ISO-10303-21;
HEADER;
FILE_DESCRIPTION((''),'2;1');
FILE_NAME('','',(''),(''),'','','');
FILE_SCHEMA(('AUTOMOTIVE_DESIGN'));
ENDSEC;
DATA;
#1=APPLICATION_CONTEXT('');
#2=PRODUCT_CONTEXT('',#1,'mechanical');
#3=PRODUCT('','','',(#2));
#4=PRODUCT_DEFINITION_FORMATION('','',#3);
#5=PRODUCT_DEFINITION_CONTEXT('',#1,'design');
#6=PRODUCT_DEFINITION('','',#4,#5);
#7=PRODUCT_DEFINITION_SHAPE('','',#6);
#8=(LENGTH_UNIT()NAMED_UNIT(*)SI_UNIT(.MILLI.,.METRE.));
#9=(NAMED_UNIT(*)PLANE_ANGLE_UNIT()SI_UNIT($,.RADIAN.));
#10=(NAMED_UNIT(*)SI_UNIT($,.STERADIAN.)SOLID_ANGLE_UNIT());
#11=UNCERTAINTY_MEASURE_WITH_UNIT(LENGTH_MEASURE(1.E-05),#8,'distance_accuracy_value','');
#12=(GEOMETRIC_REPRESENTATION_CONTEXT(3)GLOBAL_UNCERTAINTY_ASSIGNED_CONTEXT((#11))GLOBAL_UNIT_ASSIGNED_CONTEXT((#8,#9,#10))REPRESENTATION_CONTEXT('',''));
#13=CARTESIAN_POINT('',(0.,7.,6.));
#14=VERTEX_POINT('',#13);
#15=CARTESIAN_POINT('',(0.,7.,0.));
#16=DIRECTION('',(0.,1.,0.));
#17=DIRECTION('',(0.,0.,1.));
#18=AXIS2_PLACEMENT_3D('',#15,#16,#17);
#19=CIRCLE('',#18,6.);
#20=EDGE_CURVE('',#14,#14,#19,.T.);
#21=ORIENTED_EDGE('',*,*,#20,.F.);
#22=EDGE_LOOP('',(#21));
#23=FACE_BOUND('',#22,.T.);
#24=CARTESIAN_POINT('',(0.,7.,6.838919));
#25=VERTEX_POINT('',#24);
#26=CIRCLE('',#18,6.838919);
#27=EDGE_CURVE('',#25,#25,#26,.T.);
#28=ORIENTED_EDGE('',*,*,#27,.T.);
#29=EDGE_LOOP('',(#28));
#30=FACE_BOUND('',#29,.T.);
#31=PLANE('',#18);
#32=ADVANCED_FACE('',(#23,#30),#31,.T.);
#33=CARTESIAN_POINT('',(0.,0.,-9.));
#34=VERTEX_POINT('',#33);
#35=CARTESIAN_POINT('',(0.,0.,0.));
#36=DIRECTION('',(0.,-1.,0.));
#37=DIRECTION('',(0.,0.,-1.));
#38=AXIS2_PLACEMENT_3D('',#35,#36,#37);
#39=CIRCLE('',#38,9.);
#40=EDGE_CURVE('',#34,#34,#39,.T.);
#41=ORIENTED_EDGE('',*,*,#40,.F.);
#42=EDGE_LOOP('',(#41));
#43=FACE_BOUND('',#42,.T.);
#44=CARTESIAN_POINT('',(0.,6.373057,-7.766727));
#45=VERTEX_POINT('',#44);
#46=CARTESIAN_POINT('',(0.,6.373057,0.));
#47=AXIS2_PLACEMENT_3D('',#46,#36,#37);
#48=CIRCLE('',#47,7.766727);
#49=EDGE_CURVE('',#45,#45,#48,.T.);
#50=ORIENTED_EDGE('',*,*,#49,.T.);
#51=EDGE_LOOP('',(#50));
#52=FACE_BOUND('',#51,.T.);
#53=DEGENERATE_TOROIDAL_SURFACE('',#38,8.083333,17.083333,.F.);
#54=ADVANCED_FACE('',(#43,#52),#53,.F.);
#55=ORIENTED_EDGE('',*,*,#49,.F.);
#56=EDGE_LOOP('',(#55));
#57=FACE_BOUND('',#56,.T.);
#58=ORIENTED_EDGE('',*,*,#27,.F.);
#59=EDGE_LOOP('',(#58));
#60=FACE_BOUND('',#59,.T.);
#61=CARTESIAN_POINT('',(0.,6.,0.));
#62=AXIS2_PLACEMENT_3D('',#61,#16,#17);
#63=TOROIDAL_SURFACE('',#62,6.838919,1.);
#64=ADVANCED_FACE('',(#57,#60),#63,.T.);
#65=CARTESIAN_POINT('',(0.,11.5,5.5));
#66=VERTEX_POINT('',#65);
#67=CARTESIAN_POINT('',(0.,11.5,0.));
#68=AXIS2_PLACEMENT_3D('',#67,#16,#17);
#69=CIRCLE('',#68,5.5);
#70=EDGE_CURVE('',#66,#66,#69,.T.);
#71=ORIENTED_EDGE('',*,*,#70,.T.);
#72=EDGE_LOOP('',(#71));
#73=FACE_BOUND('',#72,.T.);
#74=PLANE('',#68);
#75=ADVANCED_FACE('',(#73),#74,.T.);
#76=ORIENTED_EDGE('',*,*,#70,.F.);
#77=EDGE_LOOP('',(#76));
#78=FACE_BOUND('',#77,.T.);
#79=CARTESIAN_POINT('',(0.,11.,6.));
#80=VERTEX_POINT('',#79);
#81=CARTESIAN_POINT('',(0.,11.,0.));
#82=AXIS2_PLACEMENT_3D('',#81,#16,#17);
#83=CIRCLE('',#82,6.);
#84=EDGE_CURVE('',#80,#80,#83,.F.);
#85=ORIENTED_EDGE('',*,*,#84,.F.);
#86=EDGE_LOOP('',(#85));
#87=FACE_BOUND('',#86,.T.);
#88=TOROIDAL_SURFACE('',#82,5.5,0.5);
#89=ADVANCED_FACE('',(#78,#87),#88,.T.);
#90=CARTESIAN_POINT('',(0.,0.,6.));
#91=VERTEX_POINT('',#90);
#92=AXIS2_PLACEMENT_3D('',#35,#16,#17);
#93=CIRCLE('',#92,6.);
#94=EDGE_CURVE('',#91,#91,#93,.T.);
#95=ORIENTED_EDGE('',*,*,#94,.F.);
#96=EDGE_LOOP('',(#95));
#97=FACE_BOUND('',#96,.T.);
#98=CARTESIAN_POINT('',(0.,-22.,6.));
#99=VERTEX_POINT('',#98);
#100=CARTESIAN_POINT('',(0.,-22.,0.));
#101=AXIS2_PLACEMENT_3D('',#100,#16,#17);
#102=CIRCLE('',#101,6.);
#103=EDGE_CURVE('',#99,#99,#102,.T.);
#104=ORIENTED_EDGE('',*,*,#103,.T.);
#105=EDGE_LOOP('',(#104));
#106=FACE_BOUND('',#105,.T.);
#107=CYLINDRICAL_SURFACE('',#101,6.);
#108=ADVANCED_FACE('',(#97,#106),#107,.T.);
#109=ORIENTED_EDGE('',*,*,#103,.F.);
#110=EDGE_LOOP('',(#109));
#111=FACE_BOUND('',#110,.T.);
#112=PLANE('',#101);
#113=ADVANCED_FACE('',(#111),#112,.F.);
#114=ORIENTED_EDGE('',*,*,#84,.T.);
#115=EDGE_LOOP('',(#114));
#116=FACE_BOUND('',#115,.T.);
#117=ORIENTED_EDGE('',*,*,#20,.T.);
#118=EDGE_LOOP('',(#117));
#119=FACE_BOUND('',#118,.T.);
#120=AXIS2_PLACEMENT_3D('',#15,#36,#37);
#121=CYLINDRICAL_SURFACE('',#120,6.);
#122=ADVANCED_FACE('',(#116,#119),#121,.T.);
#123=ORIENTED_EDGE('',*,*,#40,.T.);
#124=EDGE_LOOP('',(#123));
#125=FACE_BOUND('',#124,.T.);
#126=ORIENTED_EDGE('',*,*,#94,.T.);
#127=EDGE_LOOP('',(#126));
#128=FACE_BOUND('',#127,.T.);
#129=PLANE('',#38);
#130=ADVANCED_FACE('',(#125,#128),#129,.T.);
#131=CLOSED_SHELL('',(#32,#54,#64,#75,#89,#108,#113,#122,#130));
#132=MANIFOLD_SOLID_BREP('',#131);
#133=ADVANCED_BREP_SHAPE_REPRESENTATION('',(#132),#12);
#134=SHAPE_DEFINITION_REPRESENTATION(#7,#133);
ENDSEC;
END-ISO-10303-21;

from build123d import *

# Parameters (mm, degrees)
CROQUIS1_R              = 6
SALIENTE_EXTRUIR1_DEPTH = 22
REDONDEO2_R             = 1
CROQUIS3_W              = 6
CROQUIS3_H              = 4.5
REDONDEO3_R             = 0.5


with BuildPart() as part:
    # Croquis1 → Saliente-Extruir1 (new body)
    with BuildSketch(Plane(origin=(0, 0, 0), x_dir=(1, 0, 0), z_dir=(0, 1, 0))):
        with Locations(Location((0, 0, 0), (0, 0, 270))):
            Circle(CROQUIS1_R)
    extrude(amount=-SALIENTE_EXTRUIR1_DEPTH)

    # Croquis2 → Revolución1 (revolve)
    with BuildSketch(Plane(origin=(0, 0, 0), x_dir=(0, 0, -1), z_dir=(1, 0, 0))):
        with BuildLine():
            Line((0, 0), (9, 0))
            ThreePointArc((9, 0), (8.62079124, 3.579455266), (7.5, 7))
            Line((7.5, 7), (0, 7))
            Line((0, 7), (0, 0))
        make_face()
    revolve(axis=Axis((0, 0, 0), (0, 1, 0)))

    # Redondeo2
    redondeo2_edges = [part.edges().sort_by_distance(p)[0] for p in [
        (0, 7, 7.5),
    ]]
    fillet(redondeo2_edges, radius=REDONDEO2_R)

    # Croquis3 → Revolución2 (revolve)
    with BuildSketch(Plane(origin=(0, 0, 0), x_dir=(0, 0, -1), z_dir=(1, 0, 0))):
        with Locations((3, 9.25)):
            Rectangle(CROQUIS3_W, CROQUIS3_H)
    revolve(axis=Axis((0, 7, 0), (0, 1, 0)))

    # Redondeo3
    redondeo3_edges = [part.edges().sort_by_distance(p)[0] for p in [
        (0, 11.5, 6),
    ]]
    fillet(redondeo3_edges, radius=REDONDEO3_R)


solid = part.part
